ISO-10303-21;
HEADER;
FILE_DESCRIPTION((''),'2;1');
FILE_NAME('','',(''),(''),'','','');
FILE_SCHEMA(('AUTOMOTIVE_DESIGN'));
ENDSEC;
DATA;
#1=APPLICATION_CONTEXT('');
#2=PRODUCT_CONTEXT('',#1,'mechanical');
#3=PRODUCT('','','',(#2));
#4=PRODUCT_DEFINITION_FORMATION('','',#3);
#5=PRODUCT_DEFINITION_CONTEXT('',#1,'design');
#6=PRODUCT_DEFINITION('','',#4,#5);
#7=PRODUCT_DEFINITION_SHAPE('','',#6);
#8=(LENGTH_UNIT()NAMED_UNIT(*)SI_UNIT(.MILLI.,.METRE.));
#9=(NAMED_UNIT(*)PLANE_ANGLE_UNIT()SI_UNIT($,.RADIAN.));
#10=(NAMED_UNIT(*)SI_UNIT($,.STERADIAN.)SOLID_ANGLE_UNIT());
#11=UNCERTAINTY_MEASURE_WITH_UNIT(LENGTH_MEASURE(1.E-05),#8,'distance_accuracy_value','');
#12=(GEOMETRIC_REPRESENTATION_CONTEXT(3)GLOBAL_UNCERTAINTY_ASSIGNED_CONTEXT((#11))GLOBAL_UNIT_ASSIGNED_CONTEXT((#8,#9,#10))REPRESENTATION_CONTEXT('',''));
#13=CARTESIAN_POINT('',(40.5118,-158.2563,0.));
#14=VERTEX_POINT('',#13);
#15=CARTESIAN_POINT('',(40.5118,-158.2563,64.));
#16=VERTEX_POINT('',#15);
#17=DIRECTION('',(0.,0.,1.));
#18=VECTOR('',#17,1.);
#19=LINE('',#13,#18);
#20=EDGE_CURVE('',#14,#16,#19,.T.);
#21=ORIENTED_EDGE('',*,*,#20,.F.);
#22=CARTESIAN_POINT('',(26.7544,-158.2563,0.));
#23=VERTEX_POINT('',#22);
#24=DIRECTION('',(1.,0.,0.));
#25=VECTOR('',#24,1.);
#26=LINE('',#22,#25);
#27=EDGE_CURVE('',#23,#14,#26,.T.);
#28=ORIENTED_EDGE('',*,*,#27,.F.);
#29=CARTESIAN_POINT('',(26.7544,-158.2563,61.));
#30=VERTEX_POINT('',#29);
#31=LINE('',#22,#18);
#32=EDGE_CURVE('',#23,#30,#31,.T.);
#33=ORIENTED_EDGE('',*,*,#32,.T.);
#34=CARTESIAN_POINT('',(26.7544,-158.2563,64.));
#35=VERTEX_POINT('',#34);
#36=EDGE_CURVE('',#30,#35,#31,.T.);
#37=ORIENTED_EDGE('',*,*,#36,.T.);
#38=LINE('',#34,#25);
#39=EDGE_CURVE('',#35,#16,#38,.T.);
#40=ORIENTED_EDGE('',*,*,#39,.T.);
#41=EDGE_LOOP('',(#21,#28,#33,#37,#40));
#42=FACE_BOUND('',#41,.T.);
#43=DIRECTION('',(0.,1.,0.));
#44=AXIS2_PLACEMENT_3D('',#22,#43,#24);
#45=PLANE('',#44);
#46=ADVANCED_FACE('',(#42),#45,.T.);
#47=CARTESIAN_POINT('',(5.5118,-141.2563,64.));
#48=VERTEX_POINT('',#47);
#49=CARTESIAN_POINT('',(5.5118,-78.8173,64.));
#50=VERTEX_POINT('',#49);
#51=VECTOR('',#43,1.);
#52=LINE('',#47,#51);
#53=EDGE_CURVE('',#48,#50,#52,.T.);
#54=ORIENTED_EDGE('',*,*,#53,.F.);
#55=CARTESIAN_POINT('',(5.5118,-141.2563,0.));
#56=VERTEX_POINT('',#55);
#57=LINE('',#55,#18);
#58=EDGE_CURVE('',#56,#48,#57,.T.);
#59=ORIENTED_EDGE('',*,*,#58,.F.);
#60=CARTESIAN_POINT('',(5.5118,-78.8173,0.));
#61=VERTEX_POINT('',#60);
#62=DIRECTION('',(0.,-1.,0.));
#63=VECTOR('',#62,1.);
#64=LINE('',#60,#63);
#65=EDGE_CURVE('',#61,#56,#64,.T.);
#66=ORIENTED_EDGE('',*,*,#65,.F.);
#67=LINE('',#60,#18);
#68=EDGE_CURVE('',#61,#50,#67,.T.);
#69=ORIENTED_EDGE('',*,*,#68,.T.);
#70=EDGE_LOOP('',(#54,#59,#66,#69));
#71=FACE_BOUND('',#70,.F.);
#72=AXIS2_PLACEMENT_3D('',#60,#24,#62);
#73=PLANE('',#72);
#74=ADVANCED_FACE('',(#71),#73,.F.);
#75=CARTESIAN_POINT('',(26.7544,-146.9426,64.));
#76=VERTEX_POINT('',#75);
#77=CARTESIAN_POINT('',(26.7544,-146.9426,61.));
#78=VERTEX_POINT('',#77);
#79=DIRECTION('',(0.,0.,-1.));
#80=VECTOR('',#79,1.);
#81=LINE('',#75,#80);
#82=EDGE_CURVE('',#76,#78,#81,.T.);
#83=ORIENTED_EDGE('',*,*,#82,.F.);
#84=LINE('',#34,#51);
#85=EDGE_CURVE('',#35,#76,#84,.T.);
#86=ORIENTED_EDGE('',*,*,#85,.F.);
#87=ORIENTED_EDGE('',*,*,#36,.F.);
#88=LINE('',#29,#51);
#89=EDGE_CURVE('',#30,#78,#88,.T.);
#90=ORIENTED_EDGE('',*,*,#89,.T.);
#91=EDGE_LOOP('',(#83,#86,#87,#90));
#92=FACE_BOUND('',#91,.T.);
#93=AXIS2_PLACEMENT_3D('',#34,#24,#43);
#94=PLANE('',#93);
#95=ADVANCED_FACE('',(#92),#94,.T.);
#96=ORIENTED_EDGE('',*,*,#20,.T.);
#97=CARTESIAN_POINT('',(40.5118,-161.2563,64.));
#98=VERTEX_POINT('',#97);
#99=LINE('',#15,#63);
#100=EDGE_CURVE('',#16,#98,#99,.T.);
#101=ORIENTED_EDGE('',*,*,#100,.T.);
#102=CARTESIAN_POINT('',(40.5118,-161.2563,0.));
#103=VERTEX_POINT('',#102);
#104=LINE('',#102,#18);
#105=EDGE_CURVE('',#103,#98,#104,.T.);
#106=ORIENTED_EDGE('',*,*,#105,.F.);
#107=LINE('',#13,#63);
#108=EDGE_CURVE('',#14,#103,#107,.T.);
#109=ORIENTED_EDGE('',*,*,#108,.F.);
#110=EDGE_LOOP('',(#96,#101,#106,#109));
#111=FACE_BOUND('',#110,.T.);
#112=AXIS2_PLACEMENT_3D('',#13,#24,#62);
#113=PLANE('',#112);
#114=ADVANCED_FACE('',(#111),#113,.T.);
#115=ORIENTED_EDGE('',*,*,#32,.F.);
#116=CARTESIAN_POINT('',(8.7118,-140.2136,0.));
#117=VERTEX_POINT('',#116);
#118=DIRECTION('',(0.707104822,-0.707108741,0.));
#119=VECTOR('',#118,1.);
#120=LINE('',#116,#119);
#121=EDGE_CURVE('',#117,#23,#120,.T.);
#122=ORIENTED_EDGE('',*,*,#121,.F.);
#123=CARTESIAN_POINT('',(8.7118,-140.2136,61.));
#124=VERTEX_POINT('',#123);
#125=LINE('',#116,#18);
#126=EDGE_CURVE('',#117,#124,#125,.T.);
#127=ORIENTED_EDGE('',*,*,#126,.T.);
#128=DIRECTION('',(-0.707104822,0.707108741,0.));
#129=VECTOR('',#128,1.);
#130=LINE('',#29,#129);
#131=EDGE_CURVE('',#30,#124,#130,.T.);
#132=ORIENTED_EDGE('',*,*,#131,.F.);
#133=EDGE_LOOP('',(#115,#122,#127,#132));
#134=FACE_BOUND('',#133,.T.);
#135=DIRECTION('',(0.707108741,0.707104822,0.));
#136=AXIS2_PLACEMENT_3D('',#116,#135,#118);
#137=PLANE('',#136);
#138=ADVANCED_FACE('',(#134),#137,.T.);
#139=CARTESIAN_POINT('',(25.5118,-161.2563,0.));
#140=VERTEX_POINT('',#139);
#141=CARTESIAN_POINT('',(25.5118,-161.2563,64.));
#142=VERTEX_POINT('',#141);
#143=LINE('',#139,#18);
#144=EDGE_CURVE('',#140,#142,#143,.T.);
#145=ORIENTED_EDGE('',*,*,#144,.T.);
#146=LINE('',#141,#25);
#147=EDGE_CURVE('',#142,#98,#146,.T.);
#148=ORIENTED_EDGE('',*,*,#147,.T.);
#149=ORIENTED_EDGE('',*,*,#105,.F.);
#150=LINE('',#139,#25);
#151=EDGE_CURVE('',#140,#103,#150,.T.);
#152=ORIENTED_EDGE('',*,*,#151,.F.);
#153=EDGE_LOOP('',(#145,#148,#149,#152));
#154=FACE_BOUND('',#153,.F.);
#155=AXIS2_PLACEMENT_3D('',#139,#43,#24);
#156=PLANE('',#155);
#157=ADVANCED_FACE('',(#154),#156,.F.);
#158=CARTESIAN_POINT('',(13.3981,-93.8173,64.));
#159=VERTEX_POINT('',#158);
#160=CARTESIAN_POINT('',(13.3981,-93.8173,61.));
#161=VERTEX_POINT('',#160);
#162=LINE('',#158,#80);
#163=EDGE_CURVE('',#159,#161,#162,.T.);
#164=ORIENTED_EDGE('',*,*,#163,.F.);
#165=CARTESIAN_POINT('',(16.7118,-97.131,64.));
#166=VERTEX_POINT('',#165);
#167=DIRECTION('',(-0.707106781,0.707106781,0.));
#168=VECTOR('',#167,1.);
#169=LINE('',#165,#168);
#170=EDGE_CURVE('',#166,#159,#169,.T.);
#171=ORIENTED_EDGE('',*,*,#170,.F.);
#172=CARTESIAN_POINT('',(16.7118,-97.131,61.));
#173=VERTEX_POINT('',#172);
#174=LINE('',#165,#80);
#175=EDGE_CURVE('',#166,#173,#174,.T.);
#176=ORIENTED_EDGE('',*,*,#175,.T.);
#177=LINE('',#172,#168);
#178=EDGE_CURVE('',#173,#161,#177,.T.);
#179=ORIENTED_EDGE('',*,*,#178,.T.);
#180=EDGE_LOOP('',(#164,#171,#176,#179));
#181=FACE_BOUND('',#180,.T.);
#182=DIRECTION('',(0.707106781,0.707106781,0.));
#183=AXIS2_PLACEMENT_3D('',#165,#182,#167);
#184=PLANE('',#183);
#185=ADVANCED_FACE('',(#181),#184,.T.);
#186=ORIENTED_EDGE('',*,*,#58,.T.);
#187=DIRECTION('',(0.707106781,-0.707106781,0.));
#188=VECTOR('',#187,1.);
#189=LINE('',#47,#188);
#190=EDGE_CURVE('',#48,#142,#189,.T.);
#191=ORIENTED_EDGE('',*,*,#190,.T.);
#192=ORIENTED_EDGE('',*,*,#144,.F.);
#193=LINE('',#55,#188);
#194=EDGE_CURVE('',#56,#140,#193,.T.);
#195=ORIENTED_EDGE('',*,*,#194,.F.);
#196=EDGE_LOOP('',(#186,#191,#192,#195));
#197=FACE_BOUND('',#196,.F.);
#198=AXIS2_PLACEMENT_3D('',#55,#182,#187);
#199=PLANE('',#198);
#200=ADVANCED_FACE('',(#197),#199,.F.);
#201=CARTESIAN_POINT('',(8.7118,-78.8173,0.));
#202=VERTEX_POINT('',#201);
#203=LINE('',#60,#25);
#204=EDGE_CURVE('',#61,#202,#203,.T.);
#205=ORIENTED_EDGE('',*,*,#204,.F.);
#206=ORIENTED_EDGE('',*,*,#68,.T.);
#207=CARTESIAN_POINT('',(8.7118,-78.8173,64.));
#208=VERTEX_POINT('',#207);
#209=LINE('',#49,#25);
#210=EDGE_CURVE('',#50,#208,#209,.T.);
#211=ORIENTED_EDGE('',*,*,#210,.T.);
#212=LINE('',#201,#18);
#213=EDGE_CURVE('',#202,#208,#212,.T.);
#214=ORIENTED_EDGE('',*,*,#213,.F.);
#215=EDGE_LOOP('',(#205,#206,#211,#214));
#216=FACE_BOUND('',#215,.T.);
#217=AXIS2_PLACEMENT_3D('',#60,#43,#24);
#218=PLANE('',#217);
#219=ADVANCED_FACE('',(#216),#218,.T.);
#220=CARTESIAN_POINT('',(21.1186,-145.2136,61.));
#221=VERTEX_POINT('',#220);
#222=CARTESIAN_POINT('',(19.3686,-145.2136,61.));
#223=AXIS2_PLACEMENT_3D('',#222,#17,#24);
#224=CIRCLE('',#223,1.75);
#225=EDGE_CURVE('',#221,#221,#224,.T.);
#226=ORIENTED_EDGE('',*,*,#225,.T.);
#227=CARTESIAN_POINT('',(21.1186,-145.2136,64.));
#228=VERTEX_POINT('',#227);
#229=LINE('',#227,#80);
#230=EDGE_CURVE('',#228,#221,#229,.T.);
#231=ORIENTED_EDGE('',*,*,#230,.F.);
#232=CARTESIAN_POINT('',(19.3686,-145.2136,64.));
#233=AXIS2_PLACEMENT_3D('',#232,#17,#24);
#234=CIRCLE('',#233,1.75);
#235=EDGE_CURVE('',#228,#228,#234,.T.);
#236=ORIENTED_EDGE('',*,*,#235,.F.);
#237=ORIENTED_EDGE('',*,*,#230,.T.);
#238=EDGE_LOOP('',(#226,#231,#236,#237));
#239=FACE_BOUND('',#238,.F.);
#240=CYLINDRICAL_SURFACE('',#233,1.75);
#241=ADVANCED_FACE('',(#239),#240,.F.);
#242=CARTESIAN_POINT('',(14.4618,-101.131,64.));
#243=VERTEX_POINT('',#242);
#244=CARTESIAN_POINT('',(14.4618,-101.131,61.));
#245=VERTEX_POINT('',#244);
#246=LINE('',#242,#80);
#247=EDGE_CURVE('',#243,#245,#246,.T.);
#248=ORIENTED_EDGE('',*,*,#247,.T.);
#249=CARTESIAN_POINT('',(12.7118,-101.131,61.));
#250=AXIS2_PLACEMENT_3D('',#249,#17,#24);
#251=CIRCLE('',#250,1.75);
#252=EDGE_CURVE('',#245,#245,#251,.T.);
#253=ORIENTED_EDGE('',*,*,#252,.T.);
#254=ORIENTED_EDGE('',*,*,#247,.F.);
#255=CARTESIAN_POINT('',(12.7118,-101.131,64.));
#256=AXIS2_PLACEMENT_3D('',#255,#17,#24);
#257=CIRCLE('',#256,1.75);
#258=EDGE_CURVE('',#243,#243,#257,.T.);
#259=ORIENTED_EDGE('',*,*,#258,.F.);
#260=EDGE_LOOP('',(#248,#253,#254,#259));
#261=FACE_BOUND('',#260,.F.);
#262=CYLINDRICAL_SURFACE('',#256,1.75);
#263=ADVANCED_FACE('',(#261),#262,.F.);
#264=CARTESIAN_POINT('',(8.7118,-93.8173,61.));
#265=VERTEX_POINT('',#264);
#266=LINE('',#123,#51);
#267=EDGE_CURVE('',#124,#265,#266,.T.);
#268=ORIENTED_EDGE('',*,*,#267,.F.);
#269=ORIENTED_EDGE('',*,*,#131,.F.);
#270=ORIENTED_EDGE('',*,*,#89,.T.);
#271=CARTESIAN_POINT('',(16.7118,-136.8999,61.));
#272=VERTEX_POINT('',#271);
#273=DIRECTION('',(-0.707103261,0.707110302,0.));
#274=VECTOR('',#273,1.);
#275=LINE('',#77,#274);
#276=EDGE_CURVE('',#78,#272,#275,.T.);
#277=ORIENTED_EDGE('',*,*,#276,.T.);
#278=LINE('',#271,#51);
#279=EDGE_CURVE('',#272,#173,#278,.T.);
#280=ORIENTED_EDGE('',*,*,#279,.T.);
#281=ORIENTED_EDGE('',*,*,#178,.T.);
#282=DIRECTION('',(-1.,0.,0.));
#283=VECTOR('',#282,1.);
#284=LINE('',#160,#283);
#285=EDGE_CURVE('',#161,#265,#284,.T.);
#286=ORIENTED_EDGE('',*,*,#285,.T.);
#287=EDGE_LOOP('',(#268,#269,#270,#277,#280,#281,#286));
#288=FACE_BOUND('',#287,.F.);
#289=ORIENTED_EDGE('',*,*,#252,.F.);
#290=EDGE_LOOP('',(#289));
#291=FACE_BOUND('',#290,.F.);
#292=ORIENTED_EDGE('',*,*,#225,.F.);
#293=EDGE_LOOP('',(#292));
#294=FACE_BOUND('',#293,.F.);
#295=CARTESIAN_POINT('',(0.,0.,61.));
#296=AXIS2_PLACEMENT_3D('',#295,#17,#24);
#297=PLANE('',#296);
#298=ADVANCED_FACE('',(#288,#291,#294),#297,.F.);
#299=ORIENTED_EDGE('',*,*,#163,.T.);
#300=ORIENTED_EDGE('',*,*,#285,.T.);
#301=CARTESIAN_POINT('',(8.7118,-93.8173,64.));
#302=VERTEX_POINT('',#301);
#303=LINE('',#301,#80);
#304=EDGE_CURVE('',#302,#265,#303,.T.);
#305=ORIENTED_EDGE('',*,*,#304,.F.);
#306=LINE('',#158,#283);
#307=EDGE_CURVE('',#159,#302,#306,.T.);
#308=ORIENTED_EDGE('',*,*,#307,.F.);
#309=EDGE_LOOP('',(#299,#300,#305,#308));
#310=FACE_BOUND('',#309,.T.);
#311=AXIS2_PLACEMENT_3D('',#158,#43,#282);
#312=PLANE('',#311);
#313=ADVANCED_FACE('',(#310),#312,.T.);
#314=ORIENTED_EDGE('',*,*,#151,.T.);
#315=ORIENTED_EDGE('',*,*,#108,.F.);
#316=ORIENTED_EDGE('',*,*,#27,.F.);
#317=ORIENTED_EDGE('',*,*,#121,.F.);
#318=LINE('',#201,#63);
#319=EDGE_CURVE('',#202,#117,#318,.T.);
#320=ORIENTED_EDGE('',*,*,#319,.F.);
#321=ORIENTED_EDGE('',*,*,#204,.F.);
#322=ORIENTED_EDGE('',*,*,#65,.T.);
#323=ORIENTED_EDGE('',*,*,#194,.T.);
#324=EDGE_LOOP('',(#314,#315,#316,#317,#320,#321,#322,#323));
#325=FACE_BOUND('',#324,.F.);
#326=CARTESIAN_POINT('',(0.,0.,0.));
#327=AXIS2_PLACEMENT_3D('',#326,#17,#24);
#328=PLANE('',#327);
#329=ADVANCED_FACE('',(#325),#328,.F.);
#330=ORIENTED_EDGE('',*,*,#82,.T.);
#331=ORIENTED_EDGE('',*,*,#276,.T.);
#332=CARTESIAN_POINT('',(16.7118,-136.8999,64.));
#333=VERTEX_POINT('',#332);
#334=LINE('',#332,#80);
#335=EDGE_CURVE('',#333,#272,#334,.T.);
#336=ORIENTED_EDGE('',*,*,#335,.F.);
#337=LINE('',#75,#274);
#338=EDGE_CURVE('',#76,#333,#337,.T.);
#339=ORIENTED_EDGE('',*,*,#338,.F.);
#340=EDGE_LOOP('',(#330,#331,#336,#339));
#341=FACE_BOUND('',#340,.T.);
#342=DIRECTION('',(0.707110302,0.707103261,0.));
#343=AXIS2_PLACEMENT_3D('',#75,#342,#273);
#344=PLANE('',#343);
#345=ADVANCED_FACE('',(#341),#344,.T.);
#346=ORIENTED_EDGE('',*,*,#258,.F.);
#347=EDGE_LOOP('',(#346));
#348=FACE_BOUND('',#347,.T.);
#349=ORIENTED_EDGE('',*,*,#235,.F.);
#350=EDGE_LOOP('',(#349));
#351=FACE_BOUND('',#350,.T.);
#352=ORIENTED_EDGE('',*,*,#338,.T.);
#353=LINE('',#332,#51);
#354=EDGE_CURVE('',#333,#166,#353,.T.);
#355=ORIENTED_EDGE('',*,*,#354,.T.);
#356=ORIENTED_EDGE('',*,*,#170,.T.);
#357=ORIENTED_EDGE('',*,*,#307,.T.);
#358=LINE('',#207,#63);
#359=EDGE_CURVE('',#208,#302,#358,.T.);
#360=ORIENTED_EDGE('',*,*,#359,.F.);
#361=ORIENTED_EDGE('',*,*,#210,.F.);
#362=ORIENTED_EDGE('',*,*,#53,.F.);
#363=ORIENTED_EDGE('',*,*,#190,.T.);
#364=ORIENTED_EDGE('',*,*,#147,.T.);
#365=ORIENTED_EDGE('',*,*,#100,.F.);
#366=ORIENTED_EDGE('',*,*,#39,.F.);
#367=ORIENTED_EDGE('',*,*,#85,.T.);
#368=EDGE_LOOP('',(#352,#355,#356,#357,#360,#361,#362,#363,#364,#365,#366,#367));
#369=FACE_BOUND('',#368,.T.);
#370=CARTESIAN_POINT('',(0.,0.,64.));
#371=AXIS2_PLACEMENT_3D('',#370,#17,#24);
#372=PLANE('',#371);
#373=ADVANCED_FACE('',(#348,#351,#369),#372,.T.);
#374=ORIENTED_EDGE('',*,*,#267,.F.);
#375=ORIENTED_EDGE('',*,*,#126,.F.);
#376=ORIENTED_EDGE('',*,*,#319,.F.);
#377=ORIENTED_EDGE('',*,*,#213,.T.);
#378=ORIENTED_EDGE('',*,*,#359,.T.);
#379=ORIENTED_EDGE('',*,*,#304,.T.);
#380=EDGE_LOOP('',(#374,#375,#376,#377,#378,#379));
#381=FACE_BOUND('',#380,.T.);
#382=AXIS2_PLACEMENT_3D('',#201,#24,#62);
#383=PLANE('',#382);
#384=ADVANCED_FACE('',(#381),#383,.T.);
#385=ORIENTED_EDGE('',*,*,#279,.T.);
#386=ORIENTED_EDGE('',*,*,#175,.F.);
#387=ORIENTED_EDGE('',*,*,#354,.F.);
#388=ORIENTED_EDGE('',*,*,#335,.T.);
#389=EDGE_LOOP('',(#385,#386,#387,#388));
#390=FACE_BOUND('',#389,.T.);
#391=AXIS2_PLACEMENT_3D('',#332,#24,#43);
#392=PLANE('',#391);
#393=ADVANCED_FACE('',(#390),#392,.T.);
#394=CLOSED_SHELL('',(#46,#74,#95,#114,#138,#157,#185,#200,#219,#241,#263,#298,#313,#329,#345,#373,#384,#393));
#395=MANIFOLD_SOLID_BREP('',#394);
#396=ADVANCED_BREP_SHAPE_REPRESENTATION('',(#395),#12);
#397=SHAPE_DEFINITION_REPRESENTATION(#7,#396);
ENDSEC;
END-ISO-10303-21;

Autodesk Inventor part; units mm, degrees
ref_plane "YZ Plane" through (0, 0, 0) normal (1, 0, 0) x (0, 1, 0)
ref_plane "XZ Plane" through (0, 0, 0) normal (0, 1, 0) x (-1, 0, 0)
ref_plane "XY Plane" through (0, 0, 0) normal (0, 0, 1) x (1, 0, 0)
sketch "Sketch1" plane through (0, 0, 0) normal (0, 0, 1) x (1, 0, 0)
  line L0 (8.7118, -48.8173) -> (8.7118, -78.8173) projected
  line L1 (5.5118, -78.8173) -> (8.7118, -78.8173) projected
  line L2 (5.5118, 131.1827) -> (5.5118, -108.8173) projected
  line L3 (5.5118, 131.1827) -> (5.5118, -141.2563) projected
  line L4 (5.5118, -141.2563) -> (25.5118, -161.2563) projected
  line L5 (25.5118, -161.2563) -> (40.5118, -161.2563) projected
  line L6 (14.7118, -45.3532) -> (8.7118, -48.8173) projected
  line L7 (14.7118, -35.3532) -> (14.7118, -45.3532) projected
  circle A0 centre (11.7118, -40.3532) radius 1.85 projected
  line L8 (8.7118, -31.8891) -> (14.7118, -35.3532) projected
  line L9 (8.7118, -78.8173) -> (8.7118, -140.2136)
  line L10 (8.7118, -140.2136) -> (26.7544, -158.2563)
  line L11 (26.7544, -158.2563) -> (40.5118, -158.2563)
  line L12 (40.5118, -158.2563) -> (40.5118, -161.2563)
  point P0 (0, 0)
  point P1 (33.0118, -161.2563)
  dimension "d0" = 3
  dimension "d1" = 3
extrude "Extrusion1" add sketch "Sketch1" along normal blind 64 contours L1 L9 L10 L11 L12 L5 L4 L3 L2
sketch "Sketch2" plane through (0, 0, 64) normal (0, 0, 1) x (1, 0, 0)
  line L0 (8.7118, -140.2136) -> (8.7118, -78.8173) projected
  line L1 (26.7544, -158.2563) -> (8.7118, -140.2136) projected
  circle A0 centre (12.7118, -101.131) radius 1.75
  circle A1 centre (19.3686, -145.2136) radius 1.75
  line L2 (26.7544, -158.2563) -> (26.7544, -146.9426)
  line L3 (26.7544, -146.9426) -> (16.7118, -136.8999)
  line L4 (16.7118, -136.8999) -> (16.7118, -97.131)
  line L5 (16.7118, -97.131) -> (13.3981, -93.8173)
  line L6 (13.3981, -93.8173) -> (8.7118, -93.8173)
  line L7 (8.7118, -140.2136) -> (8.7118, -78.8173) projected
  point P0 (0, 0)
  dimension "d4" = 4
  dimension "d5" = 4
  dimension "d6" = 3.5
  dimension "d7" = 4
  dimension "d8" = 4
  dimension "d9" = 45
  dimension "d10" = 4
  dimension "d11" = 5
  dimension "d12" = 15
extrude "Extrusion2" add sketch "Sketch2" against normal blind 3
equation "\"d1\" = d0"
equation "\"d5\" = d4"
equation "\"d7\" = d5"
equation "\"d8\" = d7"
equation "\"d10\" = d4"
properties part number "Drag Chain Edge Panel" material "ABS Plastic"
